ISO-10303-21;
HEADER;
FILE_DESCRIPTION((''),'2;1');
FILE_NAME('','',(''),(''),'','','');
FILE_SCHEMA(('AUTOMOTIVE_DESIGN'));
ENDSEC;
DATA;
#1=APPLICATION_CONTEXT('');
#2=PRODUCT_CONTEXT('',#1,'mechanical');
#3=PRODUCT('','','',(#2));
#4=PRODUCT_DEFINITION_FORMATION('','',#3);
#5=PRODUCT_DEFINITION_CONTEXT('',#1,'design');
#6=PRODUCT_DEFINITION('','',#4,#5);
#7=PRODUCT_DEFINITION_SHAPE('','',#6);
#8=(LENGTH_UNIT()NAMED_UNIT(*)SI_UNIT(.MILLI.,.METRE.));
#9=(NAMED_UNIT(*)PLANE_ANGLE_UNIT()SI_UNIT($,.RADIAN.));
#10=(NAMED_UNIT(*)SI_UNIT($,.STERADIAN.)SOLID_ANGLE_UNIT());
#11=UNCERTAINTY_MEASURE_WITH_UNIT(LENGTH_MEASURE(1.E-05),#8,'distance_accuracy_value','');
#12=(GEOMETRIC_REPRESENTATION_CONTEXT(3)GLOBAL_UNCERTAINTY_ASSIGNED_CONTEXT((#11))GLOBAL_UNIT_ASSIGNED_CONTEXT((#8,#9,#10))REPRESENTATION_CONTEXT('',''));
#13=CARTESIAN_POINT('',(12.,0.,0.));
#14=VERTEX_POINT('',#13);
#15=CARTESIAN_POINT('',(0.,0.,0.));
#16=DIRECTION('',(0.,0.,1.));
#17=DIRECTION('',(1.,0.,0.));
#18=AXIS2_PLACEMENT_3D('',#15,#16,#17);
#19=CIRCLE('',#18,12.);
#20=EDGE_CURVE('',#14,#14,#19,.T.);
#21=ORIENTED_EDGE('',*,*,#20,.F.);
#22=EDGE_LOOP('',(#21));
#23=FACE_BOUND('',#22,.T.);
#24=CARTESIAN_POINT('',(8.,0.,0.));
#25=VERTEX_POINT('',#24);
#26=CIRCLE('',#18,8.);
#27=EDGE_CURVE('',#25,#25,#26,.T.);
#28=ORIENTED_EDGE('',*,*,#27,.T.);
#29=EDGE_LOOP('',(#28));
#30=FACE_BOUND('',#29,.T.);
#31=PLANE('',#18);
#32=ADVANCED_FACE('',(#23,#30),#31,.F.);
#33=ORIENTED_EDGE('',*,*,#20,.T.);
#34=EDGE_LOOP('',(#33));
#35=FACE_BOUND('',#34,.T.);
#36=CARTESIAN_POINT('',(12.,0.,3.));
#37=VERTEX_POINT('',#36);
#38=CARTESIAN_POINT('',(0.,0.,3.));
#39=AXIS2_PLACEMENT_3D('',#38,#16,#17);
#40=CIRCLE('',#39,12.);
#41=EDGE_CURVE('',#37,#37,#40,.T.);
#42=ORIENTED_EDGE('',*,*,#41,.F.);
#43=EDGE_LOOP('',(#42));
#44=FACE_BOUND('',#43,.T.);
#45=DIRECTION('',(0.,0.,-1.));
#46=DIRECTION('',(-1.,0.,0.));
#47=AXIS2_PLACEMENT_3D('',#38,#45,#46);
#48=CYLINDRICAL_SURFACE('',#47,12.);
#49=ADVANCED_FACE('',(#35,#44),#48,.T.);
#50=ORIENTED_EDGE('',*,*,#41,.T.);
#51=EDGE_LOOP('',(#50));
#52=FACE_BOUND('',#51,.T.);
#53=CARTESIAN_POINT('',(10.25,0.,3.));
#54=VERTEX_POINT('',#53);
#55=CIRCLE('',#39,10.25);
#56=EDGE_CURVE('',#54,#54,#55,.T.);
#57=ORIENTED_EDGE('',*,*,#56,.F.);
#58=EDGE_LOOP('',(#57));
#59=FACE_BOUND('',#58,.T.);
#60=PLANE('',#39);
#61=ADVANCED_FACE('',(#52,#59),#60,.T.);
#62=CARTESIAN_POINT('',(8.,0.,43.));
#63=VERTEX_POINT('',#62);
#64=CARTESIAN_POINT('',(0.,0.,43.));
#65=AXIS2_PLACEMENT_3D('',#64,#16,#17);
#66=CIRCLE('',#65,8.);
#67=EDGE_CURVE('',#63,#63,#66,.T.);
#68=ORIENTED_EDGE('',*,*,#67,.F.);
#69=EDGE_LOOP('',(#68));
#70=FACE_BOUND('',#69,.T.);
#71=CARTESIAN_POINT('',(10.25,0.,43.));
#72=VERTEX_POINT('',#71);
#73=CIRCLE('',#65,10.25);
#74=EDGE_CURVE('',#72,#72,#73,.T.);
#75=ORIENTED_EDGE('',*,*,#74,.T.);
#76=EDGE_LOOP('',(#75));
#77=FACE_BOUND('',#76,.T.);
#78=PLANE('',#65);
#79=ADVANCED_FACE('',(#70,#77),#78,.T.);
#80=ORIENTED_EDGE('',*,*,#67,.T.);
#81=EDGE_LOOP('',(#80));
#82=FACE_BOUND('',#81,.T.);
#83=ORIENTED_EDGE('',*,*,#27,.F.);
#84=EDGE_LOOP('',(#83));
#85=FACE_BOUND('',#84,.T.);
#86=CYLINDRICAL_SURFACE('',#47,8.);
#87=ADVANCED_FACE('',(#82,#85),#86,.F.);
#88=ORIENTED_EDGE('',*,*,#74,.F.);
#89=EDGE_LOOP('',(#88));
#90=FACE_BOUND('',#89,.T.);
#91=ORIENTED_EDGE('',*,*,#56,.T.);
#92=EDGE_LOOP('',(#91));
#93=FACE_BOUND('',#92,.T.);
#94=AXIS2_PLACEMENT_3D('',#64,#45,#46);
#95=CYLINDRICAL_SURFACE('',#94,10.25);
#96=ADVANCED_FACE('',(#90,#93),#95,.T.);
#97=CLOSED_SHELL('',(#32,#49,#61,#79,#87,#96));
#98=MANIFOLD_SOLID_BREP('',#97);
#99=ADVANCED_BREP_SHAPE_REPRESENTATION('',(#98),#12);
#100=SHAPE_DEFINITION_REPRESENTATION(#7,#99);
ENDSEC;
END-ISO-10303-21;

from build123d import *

# Parameters (mm, degrees)
SKETCH1_R           = 12
SKETCH1_R_2         = 8
BOSS_EXTRUDE2_DEPTH = 3
SKETCH2_R           = 10.25
SKETCH2_R_2         = 8
BOSS_EXTRUDE3_DEPTH = 40


with BuildPart() as part:
    # Sketch1 → Boss-Extrude2 (new body)
    with BuildSketch(Plane.XY):
        Circle(SKETCH1_R)
        Circle(SKETCH1_R_2, mode=Mode.SUBTRACT)
    extrude(amount=BOSS_EXTRUDE2_DEPTH)

    # Sketch2 → Boss-Extrude3 (add)
    with BuildSketch(Plane.XY.offset(3)):
        Circle(SKETCH2_R)
        Circle(SKETCH2_R_2, mode=Mode.SUBTRACT)
    extrude(amount=BOSS_EXTRUDE3_DEPTH)


solid = part.part
